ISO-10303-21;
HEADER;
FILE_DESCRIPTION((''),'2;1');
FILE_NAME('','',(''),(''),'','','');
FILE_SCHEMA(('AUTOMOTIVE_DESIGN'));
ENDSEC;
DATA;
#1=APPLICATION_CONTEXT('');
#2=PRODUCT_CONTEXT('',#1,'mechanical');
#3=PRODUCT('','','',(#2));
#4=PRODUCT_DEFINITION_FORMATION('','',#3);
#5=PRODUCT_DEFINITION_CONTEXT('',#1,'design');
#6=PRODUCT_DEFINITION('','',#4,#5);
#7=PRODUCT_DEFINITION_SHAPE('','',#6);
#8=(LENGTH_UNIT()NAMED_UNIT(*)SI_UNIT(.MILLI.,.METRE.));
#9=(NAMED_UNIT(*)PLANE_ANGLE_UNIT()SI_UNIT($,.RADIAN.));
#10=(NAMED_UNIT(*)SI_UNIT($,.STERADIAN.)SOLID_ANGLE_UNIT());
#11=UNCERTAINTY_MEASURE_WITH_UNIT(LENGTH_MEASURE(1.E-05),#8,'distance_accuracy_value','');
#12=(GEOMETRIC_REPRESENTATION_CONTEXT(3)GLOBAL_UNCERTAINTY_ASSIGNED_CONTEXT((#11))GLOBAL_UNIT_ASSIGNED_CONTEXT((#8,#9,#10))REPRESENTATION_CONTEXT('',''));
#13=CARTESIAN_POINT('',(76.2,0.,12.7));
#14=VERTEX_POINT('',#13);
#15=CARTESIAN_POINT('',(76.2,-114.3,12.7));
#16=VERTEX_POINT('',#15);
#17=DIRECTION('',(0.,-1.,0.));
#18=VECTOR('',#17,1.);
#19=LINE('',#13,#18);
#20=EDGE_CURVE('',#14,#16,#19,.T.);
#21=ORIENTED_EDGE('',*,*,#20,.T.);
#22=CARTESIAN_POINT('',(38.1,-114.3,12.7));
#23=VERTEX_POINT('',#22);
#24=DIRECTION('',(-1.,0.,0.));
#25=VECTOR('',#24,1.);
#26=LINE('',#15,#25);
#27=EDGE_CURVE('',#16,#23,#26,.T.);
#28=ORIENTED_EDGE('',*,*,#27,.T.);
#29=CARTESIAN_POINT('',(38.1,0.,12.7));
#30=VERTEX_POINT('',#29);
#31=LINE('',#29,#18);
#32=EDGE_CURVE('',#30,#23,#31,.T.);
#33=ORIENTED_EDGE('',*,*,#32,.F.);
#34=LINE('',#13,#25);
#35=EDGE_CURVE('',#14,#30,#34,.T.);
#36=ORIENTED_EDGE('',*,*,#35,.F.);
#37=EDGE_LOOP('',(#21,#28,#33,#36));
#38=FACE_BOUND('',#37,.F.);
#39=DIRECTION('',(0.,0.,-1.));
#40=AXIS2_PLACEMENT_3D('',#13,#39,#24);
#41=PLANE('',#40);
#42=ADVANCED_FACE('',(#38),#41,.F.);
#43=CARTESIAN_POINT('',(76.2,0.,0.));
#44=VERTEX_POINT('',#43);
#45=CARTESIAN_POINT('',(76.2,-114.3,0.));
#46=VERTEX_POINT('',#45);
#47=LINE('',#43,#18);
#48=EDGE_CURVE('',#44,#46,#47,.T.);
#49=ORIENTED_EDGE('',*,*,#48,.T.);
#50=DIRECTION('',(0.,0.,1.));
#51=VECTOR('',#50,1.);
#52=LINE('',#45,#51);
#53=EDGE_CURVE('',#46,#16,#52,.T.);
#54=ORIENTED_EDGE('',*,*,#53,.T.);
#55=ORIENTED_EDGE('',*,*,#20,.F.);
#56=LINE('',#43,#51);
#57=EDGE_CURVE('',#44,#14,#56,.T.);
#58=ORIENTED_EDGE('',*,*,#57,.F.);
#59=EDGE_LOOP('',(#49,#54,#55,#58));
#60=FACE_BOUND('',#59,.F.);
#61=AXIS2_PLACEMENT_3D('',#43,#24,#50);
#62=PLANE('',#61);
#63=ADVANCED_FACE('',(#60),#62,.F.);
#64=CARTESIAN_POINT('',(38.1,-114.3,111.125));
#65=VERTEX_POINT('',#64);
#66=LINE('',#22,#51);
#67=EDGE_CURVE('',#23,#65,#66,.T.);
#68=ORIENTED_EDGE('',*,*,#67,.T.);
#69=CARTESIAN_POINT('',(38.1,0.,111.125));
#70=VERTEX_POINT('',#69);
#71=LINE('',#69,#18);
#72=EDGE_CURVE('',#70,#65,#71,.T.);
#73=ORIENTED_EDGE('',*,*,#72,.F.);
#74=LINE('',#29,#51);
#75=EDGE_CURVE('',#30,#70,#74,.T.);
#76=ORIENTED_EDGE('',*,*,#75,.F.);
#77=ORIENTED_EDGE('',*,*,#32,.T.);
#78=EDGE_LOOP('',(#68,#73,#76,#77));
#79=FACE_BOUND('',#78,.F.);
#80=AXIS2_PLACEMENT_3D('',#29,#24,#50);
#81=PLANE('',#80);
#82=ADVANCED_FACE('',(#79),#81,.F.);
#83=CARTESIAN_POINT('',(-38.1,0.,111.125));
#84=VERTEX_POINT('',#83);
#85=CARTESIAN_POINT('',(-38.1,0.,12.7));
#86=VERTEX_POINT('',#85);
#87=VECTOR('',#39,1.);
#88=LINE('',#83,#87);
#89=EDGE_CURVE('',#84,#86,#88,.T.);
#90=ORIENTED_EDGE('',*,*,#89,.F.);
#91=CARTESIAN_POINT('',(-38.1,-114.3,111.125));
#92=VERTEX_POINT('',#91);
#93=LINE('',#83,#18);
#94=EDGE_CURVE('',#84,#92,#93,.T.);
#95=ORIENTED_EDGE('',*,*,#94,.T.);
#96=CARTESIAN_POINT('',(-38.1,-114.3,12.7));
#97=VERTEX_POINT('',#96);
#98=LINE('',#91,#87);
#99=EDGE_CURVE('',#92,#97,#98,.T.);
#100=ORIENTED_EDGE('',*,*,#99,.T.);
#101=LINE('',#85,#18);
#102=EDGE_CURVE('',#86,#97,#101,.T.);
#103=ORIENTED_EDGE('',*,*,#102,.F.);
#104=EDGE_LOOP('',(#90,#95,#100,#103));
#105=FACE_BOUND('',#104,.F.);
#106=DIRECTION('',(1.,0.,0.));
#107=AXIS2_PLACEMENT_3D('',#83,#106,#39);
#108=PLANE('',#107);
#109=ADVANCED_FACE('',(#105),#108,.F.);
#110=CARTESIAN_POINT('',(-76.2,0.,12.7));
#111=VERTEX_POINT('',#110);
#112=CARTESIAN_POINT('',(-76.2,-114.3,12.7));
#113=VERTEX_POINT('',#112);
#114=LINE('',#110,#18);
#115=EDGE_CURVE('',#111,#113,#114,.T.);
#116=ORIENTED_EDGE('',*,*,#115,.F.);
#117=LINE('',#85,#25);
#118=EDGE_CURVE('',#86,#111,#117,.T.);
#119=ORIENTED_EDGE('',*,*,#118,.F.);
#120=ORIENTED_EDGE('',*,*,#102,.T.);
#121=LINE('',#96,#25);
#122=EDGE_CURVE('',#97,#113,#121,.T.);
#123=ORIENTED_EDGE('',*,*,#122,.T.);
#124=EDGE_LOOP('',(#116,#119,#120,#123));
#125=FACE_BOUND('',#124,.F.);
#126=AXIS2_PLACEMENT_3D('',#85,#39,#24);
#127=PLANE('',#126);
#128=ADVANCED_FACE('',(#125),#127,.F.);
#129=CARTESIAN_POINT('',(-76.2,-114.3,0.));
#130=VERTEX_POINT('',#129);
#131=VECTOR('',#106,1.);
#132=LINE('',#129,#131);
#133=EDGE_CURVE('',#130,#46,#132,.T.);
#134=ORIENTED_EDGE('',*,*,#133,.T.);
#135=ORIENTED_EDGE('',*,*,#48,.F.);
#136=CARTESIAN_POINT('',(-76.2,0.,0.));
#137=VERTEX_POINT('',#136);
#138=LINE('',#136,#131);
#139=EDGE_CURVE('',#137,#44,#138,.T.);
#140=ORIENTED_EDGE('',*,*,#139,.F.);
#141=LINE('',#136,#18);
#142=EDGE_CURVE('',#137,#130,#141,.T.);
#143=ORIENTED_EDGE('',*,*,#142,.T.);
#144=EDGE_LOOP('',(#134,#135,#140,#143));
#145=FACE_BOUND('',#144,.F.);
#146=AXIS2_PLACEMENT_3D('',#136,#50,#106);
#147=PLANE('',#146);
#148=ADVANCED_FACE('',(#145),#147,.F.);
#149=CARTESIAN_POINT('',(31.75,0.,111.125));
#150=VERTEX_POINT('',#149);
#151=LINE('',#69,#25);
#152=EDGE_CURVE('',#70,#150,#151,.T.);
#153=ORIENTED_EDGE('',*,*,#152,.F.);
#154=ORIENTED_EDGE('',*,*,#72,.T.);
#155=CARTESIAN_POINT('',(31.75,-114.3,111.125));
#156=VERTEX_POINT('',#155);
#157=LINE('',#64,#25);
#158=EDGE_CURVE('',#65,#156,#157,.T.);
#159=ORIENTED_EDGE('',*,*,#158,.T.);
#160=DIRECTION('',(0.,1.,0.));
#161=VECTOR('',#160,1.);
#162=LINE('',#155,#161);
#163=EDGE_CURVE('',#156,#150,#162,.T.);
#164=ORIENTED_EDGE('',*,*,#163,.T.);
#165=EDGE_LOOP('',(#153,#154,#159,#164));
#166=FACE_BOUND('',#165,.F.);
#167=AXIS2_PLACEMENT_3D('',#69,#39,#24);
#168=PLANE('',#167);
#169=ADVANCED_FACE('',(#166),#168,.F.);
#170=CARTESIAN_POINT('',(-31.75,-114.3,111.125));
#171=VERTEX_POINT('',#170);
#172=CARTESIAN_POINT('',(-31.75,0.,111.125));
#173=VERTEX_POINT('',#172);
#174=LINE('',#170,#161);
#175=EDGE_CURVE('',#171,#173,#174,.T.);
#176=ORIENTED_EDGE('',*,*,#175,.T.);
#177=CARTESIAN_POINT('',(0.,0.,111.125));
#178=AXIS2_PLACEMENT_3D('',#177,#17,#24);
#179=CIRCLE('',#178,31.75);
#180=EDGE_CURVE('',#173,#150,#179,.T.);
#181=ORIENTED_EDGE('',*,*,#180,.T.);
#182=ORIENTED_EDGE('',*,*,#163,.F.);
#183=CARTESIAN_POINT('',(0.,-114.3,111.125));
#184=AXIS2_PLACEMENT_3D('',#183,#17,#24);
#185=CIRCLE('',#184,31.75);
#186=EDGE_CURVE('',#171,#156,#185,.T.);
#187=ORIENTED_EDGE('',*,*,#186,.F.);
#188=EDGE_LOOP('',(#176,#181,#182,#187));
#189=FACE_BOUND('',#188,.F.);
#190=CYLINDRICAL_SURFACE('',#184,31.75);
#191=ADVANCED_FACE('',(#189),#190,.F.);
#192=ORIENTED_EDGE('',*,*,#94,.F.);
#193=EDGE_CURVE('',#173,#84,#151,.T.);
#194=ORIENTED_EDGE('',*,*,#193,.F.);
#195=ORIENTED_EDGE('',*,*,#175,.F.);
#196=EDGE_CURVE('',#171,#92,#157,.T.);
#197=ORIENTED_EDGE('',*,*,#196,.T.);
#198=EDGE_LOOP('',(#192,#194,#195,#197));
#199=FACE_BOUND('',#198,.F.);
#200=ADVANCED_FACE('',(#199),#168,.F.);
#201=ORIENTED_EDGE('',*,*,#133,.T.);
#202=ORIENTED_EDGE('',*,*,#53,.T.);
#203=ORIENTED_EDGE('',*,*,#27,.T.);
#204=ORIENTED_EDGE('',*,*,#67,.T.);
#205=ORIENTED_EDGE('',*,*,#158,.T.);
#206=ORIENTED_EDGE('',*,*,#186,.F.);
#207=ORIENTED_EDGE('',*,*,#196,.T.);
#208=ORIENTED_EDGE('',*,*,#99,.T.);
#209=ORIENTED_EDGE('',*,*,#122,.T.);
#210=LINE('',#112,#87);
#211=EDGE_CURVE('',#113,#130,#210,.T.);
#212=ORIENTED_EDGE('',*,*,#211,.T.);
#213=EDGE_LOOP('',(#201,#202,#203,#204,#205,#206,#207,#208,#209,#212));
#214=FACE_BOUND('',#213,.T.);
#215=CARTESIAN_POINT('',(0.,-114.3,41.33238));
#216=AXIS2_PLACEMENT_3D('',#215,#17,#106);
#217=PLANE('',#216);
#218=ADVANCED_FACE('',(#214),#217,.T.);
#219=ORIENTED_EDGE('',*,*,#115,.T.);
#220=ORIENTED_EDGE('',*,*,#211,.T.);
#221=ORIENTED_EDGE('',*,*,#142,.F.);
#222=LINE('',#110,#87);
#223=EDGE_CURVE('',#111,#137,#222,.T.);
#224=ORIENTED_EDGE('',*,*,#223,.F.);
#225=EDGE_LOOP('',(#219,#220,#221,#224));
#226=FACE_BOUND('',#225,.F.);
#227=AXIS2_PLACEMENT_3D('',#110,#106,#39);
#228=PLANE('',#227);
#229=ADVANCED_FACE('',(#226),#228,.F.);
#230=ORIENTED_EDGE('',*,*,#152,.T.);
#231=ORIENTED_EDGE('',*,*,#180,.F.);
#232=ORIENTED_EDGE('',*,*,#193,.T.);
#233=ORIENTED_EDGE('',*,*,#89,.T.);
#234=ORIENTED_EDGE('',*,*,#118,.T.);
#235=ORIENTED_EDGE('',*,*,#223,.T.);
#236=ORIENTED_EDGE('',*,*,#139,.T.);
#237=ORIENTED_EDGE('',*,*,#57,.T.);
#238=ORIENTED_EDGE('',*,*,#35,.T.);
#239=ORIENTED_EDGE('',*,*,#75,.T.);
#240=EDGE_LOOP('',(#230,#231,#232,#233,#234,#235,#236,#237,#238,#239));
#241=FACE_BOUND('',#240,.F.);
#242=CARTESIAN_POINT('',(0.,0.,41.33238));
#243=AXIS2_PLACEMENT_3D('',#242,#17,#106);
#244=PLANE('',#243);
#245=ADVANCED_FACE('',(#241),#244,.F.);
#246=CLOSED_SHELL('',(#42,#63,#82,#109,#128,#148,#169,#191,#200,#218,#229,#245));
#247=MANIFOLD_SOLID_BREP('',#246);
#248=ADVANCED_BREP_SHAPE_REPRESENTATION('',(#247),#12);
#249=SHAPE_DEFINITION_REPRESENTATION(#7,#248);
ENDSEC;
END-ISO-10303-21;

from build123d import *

# Parameters (mm, degrees)
F1_DEPTH = 114.3
F3_DEPTH = 114.301


with BuildPart() as f1:
    # F0 (on Front) → F1 (new body)
    with BuildSketch(Plane.XZ):
        Polygon((-76.2, 0), (0, 0), (76.2, 0), (76.2, 12.7), (38.1, 12.7), (38.1, 111.125), (-38.1, 111.125), (-38.1, 12.7), (-76.2, 12.7), align=None)
    extrude(amount=F1_DEPTH)

    # F2 (on face) → F3 (cut, through all)
    with BuildSketch(Plane.XZ.offset(114.3)):
        with BuildLine():
            Line((31.75, 111.125), (-31.75, 111.125))
            ThreePointArc((-31.75, 111.125), (0, 79.375), (31.75, 111.125))
        make_face()
    extrude(amount=-F3_DEPTH, mode=Mode.SUBTRACT)


solid = f1.part
